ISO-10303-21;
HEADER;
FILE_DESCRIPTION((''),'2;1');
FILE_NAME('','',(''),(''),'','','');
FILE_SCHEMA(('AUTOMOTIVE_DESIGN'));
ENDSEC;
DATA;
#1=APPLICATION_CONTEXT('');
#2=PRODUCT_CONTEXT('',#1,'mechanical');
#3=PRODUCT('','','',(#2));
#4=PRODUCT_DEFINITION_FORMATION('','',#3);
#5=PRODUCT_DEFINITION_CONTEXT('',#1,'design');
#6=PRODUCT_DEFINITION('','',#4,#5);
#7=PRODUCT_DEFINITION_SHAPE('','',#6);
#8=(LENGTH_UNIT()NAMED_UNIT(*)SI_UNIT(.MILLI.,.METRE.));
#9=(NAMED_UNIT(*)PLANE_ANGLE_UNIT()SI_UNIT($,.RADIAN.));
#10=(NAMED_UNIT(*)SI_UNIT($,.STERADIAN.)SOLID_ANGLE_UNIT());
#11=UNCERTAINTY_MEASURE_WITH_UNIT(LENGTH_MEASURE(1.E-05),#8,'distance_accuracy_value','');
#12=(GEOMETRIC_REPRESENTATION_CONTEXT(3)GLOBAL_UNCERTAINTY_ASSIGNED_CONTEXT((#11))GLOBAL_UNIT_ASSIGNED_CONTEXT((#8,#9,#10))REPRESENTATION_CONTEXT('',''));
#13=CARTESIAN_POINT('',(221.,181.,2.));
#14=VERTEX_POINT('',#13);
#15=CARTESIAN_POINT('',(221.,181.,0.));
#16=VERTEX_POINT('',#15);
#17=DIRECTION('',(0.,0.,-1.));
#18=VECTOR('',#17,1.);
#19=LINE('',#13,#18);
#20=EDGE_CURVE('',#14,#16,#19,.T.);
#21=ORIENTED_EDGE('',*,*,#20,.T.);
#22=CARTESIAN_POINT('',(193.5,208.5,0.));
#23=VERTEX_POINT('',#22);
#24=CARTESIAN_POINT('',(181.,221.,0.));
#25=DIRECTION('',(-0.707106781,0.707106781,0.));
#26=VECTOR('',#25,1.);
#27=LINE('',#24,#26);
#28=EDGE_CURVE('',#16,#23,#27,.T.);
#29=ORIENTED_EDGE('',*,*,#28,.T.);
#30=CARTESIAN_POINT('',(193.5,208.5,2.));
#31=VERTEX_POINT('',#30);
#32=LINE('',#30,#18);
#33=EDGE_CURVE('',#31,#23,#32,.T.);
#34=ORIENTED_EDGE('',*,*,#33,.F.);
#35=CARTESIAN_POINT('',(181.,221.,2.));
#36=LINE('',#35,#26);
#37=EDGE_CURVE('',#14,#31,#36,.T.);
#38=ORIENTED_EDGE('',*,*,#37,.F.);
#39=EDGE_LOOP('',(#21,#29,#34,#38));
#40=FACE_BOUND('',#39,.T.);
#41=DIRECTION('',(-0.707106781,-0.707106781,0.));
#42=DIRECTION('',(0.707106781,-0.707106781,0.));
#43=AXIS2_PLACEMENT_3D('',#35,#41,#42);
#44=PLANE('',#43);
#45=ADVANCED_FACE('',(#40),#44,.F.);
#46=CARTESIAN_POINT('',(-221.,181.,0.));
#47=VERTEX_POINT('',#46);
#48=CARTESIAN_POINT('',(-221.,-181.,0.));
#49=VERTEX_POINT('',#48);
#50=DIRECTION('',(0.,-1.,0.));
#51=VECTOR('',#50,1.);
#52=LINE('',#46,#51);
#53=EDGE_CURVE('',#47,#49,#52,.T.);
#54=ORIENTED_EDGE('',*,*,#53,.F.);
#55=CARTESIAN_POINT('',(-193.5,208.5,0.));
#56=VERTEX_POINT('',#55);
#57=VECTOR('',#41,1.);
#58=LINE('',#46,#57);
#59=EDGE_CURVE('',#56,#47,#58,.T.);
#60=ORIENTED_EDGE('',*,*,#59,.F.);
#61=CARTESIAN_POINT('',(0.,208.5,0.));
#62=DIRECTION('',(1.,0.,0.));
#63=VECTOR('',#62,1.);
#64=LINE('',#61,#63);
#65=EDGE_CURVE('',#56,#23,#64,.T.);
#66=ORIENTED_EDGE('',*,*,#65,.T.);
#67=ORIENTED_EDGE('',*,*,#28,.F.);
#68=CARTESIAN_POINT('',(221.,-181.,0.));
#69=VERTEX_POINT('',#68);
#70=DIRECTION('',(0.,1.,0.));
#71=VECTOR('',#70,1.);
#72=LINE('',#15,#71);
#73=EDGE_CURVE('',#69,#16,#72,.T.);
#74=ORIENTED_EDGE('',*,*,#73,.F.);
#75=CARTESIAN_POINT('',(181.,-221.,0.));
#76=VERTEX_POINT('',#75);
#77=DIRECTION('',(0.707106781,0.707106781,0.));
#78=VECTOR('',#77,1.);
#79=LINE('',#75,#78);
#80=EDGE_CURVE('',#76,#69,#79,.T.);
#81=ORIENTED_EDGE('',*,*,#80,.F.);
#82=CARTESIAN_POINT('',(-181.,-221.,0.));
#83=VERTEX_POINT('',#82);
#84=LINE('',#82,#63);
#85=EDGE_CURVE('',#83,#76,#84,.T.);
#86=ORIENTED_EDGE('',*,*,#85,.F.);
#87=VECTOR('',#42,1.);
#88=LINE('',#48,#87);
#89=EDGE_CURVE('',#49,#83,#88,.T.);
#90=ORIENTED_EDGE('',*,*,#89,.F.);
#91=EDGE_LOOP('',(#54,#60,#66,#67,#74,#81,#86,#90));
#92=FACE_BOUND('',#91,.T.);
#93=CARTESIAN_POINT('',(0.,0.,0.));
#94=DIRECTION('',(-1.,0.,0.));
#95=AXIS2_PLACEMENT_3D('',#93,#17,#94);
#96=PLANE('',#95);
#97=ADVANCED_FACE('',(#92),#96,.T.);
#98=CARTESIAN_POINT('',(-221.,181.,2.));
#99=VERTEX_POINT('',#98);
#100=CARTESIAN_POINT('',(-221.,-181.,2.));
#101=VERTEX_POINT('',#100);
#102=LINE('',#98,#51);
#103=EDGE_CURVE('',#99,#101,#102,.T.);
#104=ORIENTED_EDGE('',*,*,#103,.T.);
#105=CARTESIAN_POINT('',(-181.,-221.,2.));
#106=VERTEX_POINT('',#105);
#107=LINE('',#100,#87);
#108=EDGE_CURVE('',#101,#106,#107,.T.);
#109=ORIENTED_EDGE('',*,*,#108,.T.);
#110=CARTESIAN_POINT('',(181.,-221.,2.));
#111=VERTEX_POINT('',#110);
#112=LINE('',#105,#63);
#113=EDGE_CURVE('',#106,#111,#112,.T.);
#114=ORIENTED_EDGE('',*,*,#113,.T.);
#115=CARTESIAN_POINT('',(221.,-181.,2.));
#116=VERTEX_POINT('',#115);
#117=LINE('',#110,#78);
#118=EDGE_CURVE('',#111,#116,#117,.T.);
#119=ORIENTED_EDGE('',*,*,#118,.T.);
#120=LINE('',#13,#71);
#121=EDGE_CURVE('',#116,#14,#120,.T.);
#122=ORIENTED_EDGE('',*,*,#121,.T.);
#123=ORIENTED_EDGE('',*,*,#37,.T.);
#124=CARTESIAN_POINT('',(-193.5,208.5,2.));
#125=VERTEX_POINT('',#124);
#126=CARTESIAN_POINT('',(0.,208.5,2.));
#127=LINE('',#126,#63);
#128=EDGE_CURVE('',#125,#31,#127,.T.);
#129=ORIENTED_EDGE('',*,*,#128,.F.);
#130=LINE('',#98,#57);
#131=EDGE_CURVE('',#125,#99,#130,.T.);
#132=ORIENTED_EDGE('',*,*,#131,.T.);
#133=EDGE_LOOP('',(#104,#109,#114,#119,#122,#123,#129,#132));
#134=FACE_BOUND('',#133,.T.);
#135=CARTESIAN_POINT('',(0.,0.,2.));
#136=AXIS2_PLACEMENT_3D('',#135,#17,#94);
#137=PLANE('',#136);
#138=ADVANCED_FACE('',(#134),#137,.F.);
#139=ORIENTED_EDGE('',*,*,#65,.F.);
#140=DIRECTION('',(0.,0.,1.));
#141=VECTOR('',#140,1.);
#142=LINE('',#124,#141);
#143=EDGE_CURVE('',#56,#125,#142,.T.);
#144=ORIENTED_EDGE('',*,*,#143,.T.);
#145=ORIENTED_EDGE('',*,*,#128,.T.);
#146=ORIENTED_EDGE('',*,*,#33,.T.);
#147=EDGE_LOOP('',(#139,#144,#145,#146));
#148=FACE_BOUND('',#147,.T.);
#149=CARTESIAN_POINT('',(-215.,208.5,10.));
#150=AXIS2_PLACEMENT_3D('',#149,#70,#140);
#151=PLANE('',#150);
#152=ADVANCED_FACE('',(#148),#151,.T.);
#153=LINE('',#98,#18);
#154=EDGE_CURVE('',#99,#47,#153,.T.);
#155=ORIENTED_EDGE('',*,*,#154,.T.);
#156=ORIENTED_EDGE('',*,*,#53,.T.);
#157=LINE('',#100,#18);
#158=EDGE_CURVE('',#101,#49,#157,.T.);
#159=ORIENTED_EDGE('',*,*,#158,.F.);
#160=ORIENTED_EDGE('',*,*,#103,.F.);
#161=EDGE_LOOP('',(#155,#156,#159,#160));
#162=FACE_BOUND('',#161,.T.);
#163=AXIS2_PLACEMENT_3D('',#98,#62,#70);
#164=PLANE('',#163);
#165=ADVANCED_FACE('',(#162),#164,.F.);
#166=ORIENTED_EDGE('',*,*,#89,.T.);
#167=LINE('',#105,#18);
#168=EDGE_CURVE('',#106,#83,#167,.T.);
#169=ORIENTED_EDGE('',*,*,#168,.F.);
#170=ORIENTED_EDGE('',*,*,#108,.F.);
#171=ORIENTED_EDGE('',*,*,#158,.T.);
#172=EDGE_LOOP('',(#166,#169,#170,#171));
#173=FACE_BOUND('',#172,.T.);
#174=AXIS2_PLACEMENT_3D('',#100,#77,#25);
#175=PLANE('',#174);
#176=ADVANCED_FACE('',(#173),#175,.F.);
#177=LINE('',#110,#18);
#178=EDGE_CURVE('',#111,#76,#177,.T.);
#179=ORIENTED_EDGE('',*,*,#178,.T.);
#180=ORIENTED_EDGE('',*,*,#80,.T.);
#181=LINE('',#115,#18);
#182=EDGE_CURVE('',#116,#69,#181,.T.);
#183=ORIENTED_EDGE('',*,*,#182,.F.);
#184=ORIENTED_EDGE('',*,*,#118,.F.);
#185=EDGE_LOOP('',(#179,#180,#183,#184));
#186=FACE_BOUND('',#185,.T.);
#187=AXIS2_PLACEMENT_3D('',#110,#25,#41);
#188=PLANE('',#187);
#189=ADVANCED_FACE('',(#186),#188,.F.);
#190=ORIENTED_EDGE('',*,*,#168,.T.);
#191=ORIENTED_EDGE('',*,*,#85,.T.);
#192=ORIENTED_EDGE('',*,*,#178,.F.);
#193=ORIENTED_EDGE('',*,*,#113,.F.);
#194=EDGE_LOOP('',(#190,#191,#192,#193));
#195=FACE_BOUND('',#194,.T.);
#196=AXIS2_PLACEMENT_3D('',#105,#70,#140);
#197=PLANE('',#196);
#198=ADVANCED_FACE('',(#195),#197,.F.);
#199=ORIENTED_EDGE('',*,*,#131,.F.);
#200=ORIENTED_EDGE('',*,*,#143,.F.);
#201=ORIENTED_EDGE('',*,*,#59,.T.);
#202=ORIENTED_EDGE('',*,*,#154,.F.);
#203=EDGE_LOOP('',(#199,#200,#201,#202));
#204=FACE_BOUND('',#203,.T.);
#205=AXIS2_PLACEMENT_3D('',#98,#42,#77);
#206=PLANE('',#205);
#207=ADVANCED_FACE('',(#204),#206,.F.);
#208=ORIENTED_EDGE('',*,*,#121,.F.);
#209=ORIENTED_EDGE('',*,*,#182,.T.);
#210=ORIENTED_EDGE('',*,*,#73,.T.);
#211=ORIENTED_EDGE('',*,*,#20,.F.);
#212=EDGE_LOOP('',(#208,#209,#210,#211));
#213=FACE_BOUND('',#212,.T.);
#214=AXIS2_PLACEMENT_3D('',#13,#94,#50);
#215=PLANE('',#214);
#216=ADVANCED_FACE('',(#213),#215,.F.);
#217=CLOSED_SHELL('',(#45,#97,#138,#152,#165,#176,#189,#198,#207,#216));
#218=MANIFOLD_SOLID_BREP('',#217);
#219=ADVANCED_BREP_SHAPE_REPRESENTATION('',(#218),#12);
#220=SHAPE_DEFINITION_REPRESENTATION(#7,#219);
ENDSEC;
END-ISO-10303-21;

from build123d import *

# Parameters (mm, degrees)
EXTRUDE_1_DEPTH          = 2
SKETCH_3_W               = 440.695596705
SKETCH_3_H               = 44.042045092
CUT_EXTRUDE_1_DEPTH      = 10
CUT_EXTRUDE_1_DEPTH_BACK = 10


with BuildPart() as part:
    # 스케치1 → 보스-돌출1 (new body)
    with BuildSketch(Plane.XY):
        Polygon((-221, 181), (-181, 221), (181, 221), (221, 181), (221, -181), (181, -221), (-181, -221), (-221, -181), align=None)
    extrude(amount=EXTRUDE_1_DEPTH)

    # 스케치3 → 컷-돌출1 (cut, two sides)
    with BuildSketch(Plane.XY) as cut_extrude_1_sk:
        with Locations((5.347798353, 230.521022546)):
            Rectangle(SKETCH_3_W, SKETCH_3_H)
    extrude(amount=CUT_EXTRUDE_1_DEPTH, mode=Mode.SUBTRACT)
    extrude(cut_extrude_1_sk.sketch, amount=-CUT_EXTRUDE_1_DEPTH_BACK, mode=Mode.SUBTRACT)


solid = part.part
